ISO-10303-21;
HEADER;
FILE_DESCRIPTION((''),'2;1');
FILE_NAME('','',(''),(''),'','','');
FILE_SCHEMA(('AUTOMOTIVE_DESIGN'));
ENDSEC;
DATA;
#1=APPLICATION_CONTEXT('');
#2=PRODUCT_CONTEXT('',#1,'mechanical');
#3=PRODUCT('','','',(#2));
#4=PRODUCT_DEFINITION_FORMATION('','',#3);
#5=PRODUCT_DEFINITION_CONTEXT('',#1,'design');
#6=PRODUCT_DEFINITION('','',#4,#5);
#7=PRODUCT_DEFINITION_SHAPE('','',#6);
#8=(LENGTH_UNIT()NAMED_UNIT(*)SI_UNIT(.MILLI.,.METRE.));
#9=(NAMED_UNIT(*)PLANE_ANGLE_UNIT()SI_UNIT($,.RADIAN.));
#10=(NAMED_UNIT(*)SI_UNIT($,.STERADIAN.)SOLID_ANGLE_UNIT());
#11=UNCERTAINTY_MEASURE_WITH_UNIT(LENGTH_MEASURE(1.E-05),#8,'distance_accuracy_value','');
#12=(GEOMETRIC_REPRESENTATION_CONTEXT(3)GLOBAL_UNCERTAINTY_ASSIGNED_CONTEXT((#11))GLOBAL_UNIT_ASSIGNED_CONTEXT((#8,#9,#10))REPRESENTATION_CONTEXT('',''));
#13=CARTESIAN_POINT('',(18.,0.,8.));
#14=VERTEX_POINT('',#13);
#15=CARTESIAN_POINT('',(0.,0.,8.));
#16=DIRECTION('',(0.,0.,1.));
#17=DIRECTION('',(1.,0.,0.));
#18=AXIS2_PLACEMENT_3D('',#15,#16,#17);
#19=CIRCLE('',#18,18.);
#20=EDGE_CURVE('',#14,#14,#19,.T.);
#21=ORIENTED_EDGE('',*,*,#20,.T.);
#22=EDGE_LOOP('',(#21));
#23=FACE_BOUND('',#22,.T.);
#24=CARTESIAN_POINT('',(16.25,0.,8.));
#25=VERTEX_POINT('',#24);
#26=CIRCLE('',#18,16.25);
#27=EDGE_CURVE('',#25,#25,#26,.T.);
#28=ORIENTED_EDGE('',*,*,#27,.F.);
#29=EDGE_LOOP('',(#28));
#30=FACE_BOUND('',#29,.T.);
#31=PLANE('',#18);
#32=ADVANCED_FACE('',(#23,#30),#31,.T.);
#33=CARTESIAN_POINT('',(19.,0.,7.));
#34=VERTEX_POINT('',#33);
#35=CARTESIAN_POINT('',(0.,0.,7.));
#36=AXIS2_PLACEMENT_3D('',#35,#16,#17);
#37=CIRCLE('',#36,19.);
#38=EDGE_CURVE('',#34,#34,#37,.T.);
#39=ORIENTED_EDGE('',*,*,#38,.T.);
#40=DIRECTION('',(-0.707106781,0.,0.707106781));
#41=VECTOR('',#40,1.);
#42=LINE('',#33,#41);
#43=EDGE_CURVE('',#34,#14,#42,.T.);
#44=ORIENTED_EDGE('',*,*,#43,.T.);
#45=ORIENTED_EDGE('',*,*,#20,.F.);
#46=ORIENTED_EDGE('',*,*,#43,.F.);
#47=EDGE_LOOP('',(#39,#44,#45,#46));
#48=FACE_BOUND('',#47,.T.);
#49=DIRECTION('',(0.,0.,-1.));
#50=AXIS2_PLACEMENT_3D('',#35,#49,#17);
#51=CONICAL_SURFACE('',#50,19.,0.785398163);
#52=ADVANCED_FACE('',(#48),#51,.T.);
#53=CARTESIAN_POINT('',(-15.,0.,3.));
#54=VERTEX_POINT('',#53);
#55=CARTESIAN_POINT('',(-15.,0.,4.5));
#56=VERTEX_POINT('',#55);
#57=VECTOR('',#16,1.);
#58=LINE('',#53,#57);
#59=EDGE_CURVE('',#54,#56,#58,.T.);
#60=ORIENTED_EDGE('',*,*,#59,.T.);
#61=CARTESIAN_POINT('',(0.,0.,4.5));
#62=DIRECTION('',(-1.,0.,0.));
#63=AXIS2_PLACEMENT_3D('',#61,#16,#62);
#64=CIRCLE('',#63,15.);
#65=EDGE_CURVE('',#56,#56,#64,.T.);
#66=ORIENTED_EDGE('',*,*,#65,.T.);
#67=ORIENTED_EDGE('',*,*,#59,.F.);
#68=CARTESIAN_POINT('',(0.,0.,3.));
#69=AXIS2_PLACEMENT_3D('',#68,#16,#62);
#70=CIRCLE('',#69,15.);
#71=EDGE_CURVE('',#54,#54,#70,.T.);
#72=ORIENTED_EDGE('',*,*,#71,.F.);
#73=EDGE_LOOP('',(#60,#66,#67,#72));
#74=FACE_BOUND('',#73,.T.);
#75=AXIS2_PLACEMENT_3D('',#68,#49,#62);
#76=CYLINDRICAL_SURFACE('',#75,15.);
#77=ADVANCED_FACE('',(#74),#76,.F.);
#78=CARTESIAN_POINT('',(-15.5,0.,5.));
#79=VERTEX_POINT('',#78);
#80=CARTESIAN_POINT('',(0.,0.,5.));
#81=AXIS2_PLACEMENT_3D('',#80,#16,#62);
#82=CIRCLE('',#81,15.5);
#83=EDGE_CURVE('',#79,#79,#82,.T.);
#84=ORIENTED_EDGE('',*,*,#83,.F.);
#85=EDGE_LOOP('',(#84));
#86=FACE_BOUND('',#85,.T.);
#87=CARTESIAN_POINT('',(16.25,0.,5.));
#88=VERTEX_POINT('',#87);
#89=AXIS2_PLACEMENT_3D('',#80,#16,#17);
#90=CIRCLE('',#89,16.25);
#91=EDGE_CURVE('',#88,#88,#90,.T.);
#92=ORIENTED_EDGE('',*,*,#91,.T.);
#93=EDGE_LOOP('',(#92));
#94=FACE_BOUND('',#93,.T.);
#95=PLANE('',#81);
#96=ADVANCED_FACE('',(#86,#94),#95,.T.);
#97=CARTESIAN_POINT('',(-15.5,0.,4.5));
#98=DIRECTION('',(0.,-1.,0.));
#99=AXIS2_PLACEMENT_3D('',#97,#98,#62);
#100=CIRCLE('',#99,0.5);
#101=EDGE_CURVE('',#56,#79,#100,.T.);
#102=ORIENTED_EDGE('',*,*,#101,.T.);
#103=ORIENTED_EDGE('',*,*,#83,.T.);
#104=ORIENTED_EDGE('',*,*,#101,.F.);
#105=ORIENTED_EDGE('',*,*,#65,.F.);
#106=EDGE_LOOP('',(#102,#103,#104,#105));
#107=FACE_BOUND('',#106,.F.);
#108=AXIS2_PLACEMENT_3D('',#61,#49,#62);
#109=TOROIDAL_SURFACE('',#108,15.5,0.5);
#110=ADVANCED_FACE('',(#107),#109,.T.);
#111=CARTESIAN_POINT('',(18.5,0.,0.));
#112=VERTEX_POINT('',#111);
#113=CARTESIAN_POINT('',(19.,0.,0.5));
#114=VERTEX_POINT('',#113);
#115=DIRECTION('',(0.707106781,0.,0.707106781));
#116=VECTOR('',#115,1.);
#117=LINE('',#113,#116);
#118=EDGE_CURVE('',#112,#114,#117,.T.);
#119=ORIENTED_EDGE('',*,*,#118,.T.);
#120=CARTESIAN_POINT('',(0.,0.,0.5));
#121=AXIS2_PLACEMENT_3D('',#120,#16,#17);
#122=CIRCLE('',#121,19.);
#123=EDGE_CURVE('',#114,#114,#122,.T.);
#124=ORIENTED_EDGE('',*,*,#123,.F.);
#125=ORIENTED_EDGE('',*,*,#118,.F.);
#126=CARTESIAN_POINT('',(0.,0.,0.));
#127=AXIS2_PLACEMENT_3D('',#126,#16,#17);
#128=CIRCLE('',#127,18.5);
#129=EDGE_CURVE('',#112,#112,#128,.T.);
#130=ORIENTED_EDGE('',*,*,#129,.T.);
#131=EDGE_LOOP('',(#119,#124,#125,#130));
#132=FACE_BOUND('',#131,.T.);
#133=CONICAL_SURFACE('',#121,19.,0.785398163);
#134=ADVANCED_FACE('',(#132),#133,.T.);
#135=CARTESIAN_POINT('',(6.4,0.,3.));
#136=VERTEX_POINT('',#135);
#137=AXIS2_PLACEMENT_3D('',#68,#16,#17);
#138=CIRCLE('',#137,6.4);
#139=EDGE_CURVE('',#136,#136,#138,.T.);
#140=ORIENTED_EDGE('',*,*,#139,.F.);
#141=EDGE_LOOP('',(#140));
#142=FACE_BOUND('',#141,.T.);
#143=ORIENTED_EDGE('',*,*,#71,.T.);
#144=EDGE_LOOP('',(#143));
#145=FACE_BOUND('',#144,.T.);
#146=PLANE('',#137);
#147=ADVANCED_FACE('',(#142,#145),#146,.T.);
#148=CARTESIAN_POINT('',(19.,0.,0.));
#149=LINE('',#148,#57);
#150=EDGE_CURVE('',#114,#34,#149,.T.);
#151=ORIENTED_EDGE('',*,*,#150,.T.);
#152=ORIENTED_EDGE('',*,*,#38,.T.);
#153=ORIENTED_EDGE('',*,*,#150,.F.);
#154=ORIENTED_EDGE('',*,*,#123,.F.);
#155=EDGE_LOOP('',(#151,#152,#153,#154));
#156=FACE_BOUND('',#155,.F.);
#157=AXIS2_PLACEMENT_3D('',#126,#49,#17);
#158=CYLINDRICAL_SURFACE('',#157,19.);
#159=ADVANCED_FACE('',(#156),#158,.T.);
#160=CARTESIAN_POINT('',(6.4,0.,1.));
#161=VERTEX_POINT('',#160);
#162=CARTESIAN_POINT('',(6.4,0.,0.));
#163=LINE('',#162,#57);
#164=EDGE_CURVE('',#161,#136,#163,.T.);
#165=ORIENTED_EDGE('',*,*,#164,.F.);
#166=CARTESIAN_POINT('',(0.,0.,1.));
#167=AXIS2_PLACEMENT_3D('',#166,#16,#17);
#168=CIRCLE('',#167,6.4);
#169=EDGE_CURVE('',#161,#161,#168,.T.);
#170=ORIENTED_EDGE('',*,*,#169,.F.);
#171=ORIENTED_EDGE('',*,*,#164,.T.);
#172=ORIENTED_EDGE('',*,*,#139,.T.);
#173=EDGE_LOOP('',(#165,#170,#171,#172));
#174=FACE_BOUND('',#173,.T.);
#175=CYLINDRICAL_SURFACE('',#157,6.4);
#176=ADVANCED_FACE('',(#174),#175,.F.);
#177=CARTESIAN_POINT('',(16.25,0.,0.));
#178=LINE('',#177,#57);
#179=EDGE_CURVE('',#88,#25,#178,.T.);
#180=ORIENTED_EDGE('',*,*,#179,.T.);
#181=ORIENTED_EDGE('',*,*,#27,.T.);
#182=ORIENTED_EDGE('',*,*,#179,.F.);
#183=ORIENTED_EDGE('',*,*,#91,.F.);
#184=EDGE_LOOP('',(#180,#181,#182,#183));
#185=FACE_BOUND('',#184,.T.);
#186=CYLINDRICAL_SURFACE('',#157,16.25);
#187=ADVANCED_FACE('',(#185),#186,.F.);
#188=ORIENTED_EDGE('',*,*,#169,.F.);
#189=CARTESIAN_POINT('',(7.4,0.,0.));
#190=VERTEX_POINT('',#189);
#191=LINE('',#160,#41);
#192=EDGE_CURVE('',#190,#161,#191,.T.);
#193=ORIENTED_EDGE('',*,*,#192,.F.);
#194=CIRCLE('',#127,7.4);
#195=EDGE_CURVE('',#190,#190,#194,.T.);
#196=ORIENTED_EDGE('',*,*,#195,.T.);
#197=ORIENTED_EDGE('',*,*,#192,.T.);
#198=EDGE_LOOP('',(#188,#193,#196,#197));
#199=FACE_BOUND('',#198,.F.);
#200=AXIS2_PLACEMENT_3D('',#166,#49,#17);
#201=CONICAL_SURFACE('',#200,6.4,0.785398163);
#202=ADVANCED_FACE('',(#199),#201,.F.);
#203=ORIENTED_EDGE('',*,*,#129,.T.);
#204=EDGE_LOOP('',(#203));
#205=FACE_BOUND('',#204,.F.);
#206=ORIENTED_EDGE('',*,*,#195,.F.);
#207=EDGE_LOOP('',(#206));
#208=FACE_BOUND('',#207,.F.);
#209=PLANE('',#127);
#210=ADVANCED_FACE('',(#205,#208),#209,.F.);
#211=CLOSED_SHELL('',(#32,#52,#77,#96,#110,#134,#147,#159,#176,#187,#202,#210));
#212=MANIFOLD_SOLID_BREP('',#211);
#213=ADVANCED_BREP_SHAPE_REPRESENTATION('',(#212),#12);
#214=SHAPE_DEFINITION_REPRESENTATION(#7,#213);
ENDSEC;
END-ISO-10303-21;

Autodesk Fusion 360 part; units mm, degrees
sketch "Sketch1" plane through (0, 0, 0) normal (0, 0, 1) x (1, 0, 0)
  circle A0 centre (0, 0) radius 16.25
  circle A1 centre (0, 0) radius 19
  circle A2 centre (0, 0) radius 6.4
  dimension "d1" = 32.5
  dimension "d2" = 38
  dimension "d3" = 12.8
extrude "Extrude1" add sketch "Sketch1" along normal blind 8 contours A1
extrude "Extrude2" add sketch "Sketch1" along normal blind 3 contours A0
chamfer "Chamfer1" distance 1 angle 45 1 edges at (-17.7142, -6.8707, 8)
chamfer "Chamfer2" distance 1 angle 45 1 edges at (-5.9669, 2.3143, 0)
sketch "Sketch2" plane through (0, 0, 3) normal (0, 0, 1) x (-1, 0, 0)
  circle A0 centre (0, 0) radius 6.4
  circle A1 centre (0, 0) radius 16.25
  circle A2 centre (0, 0) radius 15
  dimension "d10" = 30
extrude "Extrude3" add sketch "Sketch2" along normal blind 2 contours A1
fillet "Fillet1" radius 0.5 1 edges at (13.9849, -5.4242, 5)
chamfer "Chamfer3" distance 0.5 angle 45 1 edges at (-17.7142, -6.8707, 0)
